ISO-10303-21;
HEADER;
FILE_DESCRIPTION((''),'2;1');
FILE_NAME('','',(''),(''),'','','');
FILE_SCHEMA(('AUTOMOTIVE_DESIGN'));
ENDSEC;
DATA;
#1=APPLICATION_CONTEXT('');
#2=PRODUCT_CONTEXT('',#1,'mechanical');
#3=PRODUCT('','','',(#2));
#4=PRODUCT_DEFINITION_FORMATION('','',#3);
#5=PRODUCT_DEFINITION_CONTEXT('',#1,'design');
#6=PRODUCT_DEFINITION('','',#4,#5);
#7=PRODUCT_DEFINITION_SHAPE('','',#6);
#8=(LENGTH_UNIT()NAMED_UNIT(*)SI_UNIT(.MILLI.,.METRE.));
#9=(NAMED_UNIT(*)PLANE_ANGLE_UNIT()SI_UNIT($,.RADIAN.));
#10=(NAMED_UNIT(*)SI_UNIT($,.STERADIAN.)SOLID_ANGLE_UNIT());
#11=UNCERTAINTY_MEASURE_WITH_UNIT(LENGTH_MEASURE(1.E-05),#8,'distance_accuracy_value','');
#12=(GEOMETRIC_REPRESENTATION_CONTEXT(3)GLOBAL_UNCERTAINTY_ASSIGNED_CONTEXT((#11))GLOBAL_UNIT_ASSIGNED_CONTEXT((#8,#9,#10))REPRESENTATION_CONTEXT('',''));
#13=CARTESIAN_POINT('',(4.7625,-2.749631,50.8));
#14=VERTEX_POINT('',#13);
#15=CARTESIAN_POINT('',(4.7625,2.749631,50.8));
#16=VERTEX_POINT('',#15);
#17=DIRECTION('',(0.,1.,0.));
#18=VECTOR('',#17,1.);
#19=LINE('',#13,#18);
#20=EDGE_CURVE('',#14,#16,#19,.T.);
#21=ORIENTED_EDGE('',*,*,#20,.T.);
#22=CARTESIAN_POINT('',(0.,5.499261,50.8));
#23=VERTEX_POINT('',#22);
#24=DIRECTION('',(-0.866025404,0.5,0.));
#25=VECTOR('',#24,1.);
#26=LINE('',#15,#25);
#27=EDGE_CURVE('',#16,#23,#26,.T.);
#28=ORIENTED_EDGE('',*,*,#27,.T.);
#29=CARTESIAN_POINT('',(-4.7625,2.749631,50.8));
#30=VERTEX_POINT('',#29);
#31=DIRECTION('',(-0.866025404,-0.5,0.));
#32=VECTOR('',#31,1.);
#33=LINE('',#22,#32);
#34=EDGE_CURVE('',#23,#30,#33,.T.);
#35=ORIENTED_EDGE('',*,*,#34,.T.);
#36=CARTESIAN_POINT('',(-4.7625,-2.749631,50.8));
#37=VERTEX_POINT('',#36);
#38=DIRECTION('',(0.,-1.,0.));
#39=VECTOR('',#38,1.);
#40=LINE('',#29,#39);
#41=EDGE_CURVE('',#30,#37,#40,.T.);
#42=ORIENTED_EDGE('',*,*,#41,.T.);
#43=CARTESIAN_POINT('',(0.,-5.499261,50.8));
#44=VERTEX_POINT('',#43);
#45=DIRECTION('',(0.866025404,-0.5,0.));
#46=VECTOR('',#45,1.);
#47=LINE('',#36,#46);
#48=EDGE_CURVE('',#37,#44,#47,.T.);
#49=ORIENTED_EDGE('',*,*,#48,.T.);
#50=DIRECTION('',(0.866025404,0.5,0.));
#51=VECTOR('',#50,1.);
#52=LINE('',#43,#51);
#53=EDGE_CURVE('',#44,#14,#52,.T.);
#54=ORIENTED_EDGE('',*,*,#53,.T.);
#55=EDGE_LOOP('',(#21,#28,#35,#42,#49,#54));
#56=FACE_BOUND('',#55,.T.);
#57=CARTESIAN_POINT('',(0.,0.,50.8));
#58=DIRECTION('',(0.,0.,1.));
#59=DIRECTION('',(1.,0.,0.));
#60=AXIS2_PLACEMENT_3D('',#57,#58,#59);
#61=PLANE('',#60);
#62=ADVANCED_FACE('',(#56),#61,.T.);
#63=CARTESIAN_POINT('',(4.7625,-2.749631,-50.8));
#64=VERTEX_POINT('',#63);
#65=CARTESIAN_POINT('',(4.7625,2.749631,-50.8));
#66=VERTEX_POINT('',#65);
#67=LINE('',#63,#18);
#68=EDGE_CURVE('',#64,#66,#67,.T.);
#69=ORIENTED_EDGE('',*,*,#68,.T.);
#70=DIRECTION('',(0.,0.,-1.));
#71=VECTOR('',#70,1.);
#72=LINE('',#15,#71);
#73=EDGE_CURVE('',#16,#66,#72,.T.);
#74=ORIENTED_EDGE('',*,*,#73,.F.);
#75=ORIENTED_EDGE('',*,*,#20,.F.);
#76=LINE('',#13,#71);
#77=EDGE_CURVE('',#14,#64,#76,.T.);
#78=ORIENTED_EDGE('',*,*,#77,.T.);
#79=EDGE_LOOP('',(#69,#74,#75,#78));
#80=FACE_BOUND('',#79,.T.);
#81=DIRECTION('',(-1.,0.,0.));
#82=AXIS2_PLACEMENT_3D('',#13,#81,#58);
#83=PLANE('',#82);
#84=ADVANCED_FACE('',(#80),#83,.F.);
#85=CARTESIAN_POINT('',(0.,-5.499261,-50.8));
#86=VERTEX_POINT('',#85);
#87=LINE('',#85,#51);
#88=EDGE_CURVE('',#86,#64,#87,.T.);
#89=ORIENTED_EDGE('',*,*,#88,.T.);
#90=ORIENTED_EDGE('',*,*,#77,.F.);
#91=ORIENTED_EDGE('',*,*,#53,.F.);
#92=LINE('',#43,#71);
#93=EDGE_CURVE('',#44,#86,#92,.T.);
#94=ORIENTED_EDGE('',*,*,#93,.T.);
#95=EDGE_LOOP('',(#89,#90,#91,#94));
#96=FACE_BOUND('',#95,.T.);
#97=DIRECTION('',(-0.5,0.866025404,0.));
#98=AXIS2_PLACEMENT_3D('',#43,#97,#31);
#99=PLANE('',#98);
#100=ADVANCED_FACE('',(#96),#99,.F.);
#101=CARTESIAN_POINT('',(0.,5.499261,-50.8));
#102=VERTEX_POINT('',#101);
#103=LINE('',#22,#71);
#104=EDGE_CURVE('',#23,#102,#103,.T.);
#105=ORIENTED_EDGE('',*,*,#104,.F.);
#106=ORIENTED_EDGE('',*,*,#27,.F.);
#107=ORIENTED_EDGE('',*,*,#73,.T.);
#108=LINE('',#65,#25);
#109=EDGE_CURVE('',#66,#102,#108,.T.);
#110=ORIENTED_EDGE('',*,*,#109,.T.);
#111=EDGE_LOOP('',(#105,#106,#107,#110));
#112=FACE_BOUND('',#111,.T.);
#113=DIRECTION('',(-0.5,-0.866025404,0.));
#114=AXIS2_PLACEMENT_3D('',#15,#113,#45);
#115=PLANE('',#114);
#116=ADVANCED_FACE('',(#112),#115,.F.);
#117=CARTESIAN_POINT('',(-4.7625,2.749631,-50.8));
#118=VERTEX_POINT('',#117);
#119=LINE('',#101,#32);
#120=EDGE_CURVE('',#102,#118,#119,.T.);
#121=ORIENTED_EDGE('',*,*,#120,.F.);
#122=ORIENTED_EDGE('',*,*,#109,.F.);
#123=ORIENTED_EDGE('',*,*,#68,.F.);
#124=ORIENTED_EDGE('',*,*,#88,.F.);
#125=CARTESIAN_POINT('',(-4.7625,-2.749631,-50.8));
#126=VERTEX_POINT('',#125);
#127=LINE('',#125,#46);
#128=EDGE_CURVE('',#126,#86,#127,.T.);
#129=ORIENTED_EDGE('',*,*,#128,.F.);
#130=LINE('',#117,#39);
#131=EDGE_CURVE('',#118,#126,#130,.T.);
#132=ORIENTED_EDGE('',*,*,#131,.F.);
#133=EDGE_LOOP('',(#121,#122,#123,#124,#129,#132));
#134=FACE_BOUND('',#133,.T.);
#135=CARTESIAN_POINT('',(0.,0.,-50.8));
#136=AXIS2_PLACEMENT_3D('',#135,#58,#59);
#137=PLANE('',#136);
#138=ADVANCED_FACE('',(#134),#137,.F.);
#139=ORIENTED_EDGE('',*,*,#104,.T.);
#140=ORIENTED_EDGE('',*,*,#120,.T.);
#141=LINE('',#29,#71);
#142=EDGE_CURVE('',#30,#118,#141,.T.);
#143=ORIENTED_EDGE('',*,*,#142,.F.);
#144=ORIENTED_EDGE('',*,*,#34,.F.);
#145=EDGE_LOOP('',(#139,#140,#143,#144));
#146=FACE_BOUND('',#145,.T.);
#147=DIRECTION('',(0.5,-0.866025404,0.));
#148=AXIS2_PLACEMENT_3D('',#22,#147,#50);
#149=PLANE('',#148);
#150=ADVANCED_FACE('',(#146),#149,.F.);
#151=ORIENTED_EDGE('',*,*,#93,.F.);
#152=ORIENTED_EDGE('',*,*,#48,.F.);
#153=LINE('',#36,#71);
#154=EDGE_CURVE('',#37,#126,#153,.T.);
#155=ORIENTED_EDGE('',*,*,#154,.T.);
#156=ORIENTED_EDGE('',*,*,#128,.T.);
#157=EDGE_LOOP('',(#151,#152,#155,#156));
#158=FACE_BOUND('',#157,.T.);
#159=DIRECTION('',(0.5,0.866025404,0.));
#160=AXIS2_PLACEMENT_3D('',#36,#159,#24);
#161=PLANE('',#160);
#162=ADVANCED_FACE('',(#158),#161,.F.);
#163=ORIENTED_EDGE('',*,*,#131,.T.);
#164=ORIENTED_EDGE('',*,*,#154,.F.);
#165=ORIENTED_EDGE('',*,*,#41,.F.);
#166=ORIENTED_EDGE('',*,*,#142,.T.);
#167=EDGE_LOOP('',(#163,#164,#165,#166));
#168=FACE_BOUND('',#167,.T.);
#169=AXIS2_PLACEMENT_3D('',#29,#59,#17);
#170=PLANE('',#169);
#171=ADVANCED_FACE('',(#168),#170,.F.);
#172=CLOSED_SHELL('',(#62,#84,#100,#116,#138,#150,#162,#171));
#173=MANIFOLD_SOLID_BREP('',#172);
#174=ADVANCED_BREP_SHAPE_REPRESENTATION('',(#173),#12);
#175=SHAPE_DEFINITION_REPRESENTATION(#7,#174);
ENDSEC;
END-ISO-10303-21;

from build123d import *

# Parameters (mm, degrees)
BOSS_EXTRUDE1_DEPTH      = 50.8
BOSS_EXTRUDE1_DEPTH_BACK = 50.8


with BuildPart() as part:
    # Sketch3 → Boss-Extrude1 (new, two sides: drawn at the far end of the back side and taken through both)
    with BuildSketch(Plane.XY.offset(-BOSS_EXTRUDE1_DEPTH_BACK)):
        Polygon((0, 5.499261314), (-4.7625, 2.749630657), (-4.7625, -2.749630657), (0, -5.499261314), (4.7625, -2.749630657), (4.7625, 2.749630657), align=None)
    extrude(amount=BOSS_EXTRUDE1_DEPTH + BOSS_EXTRUDE1_DEPTH_BACK)


solid = part.part
